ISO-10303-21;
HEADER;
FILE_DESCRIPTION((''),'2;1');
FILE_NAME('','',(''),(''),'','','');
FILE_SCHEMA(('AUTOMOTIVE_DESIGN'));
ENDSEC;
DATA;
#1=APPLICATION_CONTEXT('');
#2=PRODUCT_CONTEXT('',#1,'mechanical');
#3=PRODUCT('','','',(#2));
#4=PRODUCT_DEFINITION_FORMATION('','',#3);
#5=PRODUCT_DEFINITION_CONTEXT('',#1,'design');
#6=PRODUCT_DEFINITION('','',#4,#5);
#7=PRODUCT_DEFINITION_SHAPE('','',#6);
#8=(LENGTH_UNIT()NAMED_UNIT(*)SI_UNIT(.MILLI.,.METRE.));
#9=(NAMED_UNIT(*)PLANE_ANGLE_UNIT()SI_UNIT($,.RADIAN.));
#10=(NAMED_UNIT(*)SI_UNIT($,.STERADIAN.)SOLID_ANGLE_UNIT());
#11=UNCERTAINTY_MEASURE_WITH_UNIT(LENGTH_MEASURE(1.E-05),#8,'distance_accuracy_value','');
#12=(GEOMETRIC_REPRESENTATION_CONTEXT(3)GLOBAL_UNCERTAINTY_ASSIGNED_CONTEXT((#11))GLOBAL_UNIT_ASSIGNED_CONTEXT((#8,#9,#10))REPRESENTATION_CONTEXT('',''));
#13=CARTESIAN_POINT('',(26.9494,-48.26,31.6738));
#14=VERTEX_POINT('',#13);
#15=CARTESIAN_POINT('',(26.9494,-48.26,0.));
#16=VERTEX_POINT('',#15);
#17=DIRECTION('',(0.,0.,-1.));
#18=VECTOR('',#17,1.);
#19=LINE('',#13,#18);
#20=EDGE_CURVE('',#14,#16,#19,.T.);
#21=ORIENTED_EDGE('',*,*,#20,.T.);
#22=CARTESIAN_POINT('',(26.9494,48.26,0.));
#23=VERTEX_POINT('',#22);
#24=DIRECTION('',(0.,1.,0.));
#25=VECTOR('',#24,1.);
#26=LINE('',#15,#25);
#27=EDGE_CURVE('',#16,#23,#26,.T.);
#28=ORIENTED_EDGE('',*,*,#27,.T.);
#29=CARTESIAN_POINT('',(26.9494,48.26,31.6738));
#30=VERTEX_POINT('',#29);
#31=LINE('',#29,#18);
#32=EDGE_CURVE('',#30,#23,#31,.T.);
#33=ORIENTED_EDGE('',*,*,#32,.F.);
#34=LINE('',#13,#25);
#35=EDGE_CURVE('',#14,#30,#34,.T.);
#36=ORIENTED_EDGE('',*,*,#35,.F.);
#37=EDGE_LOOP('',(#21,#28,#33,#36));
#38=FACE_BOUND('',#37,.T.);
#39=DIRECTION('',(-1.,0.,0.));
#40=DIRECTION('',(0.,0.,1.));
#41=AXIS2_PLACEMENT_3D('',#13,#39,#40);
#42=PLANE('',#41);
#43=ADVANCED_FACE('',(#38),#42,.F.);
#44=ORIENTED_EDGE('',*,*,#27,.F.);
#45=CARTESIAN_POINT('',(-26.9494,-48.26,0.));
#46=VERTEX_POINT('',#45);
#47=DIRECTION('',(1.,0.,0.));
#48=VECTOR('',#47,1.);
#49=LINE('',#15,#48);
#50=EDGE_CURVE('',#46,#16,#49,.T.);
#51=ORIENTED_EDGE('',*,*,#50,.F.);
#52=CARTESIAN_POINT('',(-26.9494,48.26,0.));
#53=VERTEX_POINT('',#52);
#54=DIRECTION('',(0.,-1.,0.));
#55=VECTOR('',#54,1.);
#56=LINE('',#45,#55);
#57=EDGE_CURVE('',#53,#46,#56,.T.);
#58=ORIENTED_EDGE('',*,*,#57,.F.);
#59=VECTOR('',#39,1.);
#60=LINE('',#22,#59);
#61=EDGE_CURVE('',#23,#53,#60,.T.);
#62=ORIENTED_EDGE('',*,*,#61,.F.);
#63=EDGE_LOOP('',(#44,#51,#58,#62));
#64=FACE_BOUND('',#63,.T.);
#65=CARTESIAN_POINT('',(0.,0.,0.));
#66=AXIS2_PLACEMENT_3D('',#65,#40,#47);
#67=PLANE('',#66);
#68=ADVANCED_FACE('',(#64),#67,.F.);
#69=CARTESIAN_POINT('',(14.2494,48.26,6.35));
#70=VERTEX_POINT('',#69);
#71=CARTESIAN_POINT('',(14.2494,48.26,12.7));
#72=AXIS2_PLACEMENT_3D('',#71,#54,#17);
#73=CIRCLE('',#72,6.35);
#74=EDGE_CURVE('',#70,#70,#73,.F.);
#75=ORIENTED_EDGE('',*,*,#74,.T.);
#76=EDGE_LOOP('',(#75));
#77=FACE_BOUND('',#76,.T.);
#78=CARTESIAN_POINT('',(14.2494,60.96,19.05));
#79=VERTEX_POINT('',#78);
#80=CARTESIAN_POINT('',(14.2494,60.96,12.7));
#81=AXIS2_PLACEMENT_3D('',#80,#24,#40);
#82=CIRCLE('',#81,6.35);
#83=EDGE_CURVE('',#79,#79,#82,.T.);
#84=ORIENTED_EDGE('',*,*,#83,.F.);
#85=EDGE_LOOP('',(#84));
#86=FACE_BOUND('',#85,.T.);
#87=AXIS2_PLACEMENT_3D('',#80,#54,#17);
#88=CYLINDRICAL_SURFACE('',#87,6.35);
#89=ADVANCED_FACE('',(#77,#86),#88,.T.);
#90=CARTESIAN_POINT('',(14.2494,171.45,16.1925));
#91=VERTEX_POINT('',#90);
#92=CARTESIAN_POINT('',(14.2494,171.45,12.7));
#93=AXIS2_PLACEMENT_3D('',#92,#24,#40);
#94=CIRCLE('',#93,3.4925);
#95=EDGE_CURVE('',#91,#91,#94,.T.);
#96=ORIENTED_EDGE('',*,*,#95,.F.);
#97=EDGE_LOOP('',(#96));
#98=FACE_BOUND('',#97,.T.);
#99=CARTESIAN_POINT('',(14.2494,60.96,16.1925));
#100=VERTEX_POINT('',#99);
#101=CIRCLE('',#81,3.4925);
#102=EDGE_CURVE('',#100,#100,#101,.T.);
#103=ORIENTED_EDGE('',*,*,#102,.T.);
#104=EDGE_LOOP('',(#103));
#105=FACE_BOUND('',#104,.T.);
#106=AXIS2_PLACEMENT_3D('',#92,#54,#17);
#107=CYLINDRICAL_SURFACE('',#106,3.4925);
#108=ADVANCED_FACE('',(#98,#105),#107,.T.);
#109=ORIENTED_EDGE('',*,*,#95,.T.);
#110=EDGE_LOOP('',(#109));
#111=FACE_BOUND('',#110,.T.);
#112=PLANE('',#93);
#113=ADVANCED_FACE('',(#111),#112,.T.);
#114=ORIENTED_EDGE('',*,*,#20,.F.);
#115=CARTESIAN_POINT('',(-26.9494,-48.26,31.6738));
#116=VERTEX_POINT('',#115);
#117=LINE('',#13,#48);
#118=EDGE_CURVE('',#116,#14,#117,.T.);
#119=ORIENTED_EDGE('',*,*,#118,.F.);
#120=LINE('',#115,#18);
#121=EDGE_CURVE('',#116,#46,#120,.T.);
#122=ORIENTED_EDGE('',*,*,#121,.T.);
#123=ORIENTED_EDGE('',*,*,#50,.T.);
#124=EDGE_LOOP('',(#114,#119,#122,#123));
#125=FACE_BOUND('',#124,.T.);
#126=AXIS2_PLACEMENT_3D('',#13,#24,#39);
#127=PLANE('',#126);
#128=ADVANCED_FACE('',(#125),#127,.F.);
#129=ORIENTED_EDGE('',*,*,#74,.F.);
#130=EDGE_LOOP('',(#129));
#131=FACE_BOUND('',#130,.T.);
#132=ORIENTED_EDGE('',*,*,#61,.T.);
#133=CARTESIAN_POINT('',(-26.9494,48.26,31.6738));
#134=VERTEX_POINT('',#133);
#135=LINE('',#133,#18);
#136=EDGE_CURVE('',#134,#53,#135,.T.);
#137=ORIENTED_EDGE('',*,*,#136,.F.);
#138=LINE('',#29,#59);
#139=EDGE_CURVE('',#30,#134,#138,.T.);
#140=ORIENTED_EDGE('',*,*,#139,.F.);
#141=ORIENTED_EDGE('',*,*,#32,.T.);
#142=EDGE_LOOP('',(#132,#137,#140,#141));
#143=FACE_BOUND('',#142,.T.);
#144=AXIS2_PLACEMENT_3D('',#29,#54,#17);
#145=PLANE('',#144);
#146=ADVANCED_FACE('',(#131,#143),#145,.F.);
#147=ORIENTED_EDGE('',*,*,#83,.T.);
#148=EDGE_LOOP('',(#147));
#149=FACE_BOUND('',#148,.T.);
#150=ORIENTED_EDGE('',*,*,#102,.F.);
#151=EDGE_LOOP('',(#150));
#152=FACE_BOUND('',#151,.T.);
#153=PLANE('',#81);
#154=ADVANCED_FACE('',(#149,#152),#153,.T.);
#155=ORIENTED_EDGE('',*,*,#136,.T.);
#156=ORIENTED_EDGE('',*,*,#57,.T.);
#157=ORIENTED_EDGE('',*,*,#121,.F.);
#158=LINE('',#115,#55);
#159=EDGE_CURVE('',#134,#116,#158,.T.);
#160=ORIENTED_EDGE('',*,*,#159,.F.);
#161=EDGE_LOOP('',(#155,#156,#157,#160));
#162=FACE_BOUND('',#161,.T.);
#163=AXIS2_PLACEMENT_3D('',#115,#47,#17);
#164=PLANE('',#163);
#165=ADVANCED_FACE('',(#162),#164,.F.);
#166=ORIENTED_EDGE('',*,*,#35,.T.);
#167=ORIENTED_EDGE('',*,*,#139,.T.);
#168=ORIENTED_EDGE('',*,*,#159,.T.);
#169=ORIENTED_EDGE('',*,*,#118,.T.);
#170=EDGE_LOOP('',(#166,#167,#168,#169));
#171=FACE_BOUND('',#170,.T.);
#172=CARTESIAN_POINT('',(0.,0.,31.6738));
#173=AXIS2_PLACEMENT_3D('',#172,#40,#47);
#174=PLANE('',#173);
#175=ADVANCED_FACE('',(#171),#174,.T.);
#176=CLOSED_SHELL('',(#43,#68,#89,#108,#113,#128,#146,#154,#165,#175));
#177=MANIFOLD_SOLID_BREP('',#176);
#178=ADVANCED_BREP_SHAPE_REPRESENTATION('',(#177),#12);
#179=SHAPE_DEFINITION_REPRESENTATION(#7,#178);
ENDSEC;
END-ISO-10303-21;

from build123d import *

# Parameters (mm, degrees)
SKETCH1_W           = 53.8988
SKETCH1_H           = 96.52
BOSS_EXTRUDE1_DEPTH = 31.6738
SKETCH2_R           = 6.35
BOSS_EXTRUDE2_DEPTH = 12.7
SKETCH3_R           = 3.4925
BOSS_EXTRUDE3_DEPTH = 110.49


with BuildPart() as part:
    # Sketch1 → Boss-Extrude1 (new body)
    with BuildSketch(Plane.XY):
        Rectangle(SKETCH1_W, SKETCH1_H)
    extrude(amount=BOSS_EXTRUDE1_DEPTH)

    # Sketch2 → Boss-Extrude2 (add)
    with BuildSketch(Plane(origin=(0, 48.26, 0), x_dir=(1, 0, 0), z_dir=(0, 1, 0))):
        with Locations(Location((14.2494, -12.7, 0), (0, 0, 90))):
            Circle(SKETCH2_R)
    extrude(amount=BOSS_EXTRUDE2_DEPTH)

    # Sketch3 → Boss-Extrude3 (add)
    with BuildSketch(Plane(origin=(0, 60.96, 0), x_dir=(1, 0, 0), z_dir=(0, 1, 0))):
        with Locations(Location((14.2494, -12.7, 0), (0, 0, 270))):
            Circle(SKETCH3_R)
    extrude(amount=BOSS_EXTRUDE3_DEPTH)


solid = part.part
